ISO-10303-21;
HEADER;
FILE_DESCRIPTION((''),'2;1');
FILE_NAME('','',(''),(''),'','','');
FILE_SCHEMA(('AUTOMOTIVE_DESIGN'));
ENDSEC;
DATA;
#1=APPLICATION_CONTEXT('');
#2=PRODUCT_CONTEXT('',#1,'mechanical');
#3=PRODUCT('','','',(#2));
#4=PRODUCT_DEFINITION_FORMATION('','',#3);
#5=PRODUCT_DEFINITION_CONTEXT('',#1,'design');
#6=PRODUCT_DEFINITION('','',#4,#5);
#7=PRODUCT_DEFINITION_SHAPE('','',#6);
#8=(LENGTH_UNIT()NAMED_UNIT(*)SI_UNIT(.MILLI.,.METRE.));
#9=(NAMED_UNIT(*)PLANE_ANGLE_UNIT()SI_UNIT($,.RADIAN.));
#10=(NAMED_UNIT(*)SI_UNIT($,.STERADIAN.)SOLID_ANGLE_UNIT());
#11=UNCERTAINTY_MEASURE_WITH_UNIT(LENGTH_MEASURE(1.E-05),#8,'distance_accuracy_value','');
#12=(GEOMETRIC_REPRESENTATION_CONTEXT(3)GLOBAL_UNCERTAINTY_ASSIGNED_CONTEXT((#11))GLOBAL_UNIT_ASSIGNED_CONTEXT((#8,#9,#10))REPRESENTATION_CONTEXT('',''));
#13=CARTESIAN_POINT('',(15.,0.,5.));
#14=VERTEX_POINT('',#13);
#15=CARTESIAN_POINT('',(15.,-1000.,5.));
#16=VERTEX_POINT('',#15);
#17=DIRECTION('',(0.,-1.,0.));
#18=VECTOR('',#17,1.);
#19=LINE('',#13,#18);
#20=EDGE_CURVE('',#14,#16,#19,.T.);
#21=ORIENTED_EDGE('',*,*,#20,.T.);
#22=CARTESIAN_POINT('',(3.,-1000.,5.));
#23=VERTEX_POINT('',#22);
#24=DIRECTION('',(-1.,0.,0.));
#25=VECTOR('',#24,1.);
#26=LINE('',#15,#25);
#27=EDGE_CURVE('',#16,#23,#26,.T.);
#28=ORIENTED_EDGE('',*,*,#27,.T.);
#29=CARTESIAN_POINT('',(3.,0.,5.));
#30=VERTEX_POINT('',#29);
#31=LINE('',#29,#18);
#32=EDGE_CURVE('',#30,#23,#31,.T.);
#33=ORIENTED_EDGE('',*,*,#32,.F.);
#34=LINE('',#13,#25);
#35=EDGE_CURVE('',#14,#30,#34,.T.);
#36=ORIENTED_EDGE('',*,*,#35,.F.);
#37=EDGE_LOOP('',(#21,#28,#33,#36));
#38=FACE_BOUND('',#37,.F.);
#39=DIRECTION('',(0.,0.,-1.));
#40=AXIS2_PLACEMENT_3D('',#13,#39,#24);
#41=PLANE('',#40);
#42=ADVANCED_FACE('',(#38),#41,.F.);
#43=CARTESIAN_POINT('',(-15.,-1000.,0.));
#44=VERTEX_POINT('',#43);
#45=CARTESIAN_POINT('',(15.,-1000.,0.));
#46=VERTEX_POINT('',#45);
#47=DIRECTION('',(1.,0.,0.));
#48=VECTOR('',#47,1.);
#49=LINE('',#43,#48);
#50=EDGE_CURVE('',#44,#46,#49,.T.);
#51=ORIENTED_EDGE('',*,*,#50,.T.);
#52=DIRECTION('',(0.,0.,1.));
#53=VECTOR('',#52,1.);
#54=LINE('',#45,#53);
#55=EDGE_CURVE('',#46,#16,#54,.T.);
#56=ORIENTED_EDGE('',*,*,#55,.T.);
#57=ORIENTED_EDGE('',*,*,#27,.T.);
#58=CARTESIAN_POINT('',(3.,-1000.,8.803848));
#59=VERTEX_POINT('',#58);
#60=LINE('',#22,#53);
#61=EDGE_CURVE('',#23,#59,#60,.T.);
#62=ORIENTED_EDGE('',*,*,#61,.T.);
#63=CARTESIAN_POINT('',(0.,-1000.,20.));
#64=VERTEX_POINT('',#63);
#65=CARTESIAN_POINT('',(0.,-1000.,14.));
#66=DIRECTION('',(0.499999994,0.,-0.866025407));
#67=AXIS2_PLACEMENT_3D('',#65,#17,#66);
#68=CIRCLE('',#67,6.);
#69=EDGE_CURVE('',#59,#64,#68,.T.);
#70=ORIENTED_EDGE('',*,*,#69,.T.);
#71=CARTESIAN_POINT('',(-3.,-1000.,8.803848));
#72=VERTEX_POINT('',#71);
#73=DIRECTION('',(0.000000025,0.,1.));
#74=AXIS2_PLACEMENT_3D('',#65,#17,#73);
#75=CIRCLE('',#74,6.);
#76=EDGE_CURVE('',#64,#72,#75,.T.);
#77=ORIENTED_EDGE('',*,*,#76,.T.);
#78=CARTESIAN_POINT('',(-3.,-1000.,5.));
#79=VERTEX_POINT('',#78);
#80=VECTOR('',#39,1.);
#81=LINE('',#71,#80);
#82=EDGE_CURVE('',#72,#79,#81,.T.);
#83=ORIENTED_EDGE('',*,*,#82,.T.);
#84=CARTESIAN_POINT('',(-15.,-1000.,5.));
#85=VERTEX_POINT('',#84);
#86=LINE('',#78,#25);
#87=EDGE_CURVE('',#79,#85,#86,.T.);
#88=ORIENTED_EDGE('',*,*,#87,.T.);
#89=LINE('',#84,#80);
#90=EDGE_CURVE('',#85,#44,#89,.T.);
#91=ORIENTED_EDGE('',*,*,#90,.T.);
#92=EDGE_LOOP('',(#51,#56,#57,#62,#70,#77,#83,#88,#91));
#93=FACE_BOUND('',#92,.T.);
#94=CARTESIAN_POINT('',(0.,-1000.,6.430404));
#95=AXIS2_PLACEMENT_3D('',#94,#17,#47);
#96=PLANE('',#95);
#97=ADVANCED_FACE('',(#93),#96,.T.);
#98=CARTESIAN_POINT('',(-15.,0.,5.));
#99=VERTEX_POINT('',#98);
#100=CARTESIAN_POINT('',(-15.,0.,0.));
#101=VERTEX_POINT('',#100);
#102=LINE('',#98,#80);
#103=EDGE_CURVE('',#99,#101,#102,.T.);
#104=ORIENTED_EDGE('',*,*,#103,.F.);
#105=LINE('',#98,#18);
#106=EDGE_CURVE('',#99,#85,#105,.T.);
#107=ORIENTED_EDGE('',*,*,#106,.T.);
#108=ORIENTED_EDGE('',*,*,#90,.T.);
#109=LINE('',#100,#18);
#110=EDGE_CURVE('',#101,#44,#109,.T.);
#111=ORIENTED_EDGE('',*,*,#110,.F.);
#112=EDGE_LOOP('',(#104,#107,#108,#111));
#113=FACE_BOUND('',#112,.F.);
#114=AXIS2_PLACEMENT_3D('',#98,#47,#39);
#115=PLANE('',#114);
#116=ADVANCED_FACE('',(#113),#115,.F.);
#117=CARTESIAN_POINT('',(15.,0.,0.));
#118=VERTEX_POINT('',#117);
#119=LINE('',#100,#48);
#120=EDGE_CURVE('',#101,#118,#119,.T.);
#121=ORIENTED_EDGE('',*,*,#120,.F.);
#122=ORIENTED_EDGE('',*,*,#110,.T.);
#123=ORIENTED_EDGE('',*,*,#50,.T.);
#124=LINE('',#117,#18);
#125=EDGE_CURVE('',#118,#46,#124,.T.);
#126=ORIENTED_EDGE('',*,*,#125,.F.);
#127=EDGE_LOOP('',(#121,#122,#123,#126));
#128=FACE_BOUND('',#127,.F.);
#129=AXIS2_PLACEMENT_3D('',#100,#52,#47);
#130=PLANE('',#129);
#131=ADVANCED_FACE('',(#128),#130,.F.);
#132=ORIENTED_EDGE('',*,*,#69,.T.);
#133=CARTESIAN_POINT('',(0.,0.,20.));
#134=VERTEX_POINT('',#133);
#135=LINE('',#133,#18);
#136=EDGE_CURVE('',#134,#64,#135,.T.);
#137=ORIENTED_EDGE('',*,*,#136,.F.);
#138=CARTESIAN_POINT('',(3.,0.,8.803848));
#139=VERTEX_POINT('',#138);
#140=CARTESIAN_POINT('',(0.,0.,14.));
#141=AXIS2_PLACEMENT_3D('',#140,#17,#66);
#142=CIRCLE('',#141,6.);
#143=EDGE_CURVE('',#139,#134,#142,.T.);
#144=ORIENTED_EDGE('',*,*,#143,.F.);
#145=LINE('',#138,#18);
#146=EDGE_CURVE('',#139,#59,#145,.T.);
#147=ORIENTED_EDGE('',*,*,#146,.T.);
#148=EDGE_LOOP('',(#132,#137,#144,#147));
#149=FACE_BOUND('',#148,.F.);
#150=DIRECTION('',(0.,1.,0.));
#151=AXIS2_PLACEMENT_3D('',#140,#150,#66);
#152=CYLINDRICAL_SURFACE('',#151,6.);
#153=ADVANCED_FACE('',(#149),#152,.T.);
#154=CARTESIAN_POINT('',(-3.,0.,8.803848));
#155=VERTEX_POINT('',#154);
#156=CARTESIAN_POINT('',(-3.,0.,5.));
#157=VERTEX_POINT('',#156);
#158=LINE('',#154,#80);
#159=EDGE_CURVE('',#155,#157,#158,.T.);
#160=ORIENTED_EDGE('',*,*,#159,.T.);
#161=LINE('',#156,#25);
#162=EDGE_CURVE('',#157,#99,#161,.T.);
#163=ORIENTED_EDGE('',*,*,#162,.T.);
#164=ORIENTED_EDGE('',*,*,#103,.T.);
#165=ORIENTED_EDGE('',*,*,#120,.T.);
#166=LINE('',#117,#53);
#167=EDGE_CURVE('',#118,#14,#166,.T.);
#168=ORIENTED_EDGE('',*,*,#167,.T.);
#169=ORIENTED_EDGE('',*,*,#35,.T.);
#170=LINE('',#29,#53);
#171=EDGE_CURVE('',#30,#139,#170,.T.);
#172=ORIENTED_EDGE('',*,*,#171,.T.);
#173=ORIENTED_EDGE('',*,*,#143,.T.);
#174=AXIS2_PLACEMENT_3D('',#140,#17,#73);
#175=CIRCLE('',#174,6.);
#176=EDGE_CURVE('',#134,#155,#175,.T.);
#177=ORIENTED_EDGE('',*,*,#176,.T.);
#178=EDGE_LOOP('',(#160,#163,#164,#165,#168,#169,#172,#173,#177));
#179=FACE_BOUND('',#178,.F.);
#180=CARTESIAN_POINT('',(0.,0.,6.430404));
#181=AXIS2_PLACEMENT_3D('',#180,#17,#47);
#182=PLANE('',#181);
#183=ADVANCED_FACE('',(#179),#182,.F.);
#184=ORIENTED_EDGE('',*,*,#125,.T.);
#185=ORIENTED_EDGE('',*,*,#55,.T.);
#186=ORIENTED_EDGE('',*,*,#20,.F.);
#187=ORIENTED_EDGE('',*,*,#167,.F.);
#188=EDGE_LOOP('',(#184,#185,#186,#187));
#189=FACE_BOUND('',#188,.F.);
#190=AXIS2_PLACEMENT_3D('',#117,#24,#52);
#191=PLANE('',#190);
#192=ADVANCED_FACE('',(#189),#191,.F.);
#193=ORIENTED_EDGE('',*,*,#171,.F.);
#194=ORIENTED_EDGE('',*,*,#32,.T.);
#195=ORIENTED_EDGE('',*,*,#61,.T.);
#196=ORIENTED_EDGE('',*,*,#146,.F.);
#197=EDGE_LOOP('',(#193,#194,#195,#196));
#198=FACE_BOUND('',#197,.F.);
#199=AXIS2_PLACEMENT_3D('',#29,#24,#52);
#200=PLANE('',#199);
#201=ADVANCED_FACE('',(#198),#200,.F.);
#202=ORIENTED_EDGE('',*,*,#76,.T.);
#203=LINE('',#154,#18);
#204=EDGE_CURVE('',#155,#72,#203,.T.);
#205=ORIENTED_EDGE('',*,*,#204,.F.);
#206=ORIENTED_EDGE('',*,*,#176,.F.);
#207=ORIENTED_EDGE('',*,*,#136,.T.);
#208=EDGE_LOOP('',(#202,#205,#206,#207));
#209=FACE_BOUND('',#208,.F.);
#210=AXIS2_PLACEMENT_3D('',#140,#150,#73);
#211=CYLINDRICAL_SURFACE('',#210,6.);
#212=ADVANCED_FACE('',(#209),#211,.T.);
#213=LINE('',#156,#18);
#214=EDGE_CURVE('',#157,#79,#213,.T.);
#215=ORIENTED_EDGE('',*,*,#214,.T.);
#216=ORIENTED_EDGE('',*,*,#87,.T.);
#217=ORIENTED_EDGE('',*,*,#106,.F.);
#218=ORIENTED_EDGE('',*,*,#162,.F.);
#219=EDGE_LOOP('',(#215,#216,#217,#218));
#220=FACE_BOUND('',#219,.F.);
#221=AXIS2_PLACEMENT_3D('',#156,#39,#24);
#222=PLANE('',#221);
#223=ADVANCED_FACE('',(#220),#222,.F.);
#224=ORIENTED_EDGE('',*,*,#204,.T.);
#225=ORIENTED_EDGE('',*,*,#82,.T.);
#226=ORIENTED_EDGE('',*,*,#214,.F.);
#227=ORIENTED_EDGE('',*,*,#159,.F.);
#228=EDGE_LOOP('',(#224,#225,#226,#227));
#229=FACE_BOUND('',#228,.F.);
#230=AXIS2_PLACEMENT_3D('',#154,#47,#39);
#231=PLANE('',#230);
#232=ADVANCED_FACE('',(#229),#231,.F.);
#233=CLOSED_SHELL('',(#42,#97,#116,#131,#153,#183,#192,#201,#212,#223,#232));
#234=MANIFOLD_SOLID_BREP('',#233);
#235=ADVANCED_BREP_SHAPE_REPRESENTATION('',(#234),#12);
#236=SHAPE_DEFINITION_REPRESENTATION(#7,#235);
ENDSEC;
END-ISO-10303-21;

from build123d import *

# Parameters (mm, degrees)
F1_DEPTH = 1000


with BuildPart() as f1:
    # F0 (on Front) → F1 (new body)
    with BuildSketch(Plane.XZ):
        with BuildLine():
            Line((-15, 0), (0, 0))
            Line((0, 0), (15, 0))
            Line((15, 0), (15, 5))
            Line((15, 5), (3, 5))
            Line((3, 5), (3, 8.803848))
            ThreePointArc((3, 8.803848), (5.795555, 15.552914), (0, 20))
            ThreePointArc((0, 20), (-5.795555, 15.552914), (-3, 8.803848))
            Line((-3, 8.803848), (-3, 5))
            Line((-3, 5), (-15, 5))
            Line((-15, 5), (-15, 0))
        make_face()
    extrude(amount=F1_DEPTH)


solid = f1.part
